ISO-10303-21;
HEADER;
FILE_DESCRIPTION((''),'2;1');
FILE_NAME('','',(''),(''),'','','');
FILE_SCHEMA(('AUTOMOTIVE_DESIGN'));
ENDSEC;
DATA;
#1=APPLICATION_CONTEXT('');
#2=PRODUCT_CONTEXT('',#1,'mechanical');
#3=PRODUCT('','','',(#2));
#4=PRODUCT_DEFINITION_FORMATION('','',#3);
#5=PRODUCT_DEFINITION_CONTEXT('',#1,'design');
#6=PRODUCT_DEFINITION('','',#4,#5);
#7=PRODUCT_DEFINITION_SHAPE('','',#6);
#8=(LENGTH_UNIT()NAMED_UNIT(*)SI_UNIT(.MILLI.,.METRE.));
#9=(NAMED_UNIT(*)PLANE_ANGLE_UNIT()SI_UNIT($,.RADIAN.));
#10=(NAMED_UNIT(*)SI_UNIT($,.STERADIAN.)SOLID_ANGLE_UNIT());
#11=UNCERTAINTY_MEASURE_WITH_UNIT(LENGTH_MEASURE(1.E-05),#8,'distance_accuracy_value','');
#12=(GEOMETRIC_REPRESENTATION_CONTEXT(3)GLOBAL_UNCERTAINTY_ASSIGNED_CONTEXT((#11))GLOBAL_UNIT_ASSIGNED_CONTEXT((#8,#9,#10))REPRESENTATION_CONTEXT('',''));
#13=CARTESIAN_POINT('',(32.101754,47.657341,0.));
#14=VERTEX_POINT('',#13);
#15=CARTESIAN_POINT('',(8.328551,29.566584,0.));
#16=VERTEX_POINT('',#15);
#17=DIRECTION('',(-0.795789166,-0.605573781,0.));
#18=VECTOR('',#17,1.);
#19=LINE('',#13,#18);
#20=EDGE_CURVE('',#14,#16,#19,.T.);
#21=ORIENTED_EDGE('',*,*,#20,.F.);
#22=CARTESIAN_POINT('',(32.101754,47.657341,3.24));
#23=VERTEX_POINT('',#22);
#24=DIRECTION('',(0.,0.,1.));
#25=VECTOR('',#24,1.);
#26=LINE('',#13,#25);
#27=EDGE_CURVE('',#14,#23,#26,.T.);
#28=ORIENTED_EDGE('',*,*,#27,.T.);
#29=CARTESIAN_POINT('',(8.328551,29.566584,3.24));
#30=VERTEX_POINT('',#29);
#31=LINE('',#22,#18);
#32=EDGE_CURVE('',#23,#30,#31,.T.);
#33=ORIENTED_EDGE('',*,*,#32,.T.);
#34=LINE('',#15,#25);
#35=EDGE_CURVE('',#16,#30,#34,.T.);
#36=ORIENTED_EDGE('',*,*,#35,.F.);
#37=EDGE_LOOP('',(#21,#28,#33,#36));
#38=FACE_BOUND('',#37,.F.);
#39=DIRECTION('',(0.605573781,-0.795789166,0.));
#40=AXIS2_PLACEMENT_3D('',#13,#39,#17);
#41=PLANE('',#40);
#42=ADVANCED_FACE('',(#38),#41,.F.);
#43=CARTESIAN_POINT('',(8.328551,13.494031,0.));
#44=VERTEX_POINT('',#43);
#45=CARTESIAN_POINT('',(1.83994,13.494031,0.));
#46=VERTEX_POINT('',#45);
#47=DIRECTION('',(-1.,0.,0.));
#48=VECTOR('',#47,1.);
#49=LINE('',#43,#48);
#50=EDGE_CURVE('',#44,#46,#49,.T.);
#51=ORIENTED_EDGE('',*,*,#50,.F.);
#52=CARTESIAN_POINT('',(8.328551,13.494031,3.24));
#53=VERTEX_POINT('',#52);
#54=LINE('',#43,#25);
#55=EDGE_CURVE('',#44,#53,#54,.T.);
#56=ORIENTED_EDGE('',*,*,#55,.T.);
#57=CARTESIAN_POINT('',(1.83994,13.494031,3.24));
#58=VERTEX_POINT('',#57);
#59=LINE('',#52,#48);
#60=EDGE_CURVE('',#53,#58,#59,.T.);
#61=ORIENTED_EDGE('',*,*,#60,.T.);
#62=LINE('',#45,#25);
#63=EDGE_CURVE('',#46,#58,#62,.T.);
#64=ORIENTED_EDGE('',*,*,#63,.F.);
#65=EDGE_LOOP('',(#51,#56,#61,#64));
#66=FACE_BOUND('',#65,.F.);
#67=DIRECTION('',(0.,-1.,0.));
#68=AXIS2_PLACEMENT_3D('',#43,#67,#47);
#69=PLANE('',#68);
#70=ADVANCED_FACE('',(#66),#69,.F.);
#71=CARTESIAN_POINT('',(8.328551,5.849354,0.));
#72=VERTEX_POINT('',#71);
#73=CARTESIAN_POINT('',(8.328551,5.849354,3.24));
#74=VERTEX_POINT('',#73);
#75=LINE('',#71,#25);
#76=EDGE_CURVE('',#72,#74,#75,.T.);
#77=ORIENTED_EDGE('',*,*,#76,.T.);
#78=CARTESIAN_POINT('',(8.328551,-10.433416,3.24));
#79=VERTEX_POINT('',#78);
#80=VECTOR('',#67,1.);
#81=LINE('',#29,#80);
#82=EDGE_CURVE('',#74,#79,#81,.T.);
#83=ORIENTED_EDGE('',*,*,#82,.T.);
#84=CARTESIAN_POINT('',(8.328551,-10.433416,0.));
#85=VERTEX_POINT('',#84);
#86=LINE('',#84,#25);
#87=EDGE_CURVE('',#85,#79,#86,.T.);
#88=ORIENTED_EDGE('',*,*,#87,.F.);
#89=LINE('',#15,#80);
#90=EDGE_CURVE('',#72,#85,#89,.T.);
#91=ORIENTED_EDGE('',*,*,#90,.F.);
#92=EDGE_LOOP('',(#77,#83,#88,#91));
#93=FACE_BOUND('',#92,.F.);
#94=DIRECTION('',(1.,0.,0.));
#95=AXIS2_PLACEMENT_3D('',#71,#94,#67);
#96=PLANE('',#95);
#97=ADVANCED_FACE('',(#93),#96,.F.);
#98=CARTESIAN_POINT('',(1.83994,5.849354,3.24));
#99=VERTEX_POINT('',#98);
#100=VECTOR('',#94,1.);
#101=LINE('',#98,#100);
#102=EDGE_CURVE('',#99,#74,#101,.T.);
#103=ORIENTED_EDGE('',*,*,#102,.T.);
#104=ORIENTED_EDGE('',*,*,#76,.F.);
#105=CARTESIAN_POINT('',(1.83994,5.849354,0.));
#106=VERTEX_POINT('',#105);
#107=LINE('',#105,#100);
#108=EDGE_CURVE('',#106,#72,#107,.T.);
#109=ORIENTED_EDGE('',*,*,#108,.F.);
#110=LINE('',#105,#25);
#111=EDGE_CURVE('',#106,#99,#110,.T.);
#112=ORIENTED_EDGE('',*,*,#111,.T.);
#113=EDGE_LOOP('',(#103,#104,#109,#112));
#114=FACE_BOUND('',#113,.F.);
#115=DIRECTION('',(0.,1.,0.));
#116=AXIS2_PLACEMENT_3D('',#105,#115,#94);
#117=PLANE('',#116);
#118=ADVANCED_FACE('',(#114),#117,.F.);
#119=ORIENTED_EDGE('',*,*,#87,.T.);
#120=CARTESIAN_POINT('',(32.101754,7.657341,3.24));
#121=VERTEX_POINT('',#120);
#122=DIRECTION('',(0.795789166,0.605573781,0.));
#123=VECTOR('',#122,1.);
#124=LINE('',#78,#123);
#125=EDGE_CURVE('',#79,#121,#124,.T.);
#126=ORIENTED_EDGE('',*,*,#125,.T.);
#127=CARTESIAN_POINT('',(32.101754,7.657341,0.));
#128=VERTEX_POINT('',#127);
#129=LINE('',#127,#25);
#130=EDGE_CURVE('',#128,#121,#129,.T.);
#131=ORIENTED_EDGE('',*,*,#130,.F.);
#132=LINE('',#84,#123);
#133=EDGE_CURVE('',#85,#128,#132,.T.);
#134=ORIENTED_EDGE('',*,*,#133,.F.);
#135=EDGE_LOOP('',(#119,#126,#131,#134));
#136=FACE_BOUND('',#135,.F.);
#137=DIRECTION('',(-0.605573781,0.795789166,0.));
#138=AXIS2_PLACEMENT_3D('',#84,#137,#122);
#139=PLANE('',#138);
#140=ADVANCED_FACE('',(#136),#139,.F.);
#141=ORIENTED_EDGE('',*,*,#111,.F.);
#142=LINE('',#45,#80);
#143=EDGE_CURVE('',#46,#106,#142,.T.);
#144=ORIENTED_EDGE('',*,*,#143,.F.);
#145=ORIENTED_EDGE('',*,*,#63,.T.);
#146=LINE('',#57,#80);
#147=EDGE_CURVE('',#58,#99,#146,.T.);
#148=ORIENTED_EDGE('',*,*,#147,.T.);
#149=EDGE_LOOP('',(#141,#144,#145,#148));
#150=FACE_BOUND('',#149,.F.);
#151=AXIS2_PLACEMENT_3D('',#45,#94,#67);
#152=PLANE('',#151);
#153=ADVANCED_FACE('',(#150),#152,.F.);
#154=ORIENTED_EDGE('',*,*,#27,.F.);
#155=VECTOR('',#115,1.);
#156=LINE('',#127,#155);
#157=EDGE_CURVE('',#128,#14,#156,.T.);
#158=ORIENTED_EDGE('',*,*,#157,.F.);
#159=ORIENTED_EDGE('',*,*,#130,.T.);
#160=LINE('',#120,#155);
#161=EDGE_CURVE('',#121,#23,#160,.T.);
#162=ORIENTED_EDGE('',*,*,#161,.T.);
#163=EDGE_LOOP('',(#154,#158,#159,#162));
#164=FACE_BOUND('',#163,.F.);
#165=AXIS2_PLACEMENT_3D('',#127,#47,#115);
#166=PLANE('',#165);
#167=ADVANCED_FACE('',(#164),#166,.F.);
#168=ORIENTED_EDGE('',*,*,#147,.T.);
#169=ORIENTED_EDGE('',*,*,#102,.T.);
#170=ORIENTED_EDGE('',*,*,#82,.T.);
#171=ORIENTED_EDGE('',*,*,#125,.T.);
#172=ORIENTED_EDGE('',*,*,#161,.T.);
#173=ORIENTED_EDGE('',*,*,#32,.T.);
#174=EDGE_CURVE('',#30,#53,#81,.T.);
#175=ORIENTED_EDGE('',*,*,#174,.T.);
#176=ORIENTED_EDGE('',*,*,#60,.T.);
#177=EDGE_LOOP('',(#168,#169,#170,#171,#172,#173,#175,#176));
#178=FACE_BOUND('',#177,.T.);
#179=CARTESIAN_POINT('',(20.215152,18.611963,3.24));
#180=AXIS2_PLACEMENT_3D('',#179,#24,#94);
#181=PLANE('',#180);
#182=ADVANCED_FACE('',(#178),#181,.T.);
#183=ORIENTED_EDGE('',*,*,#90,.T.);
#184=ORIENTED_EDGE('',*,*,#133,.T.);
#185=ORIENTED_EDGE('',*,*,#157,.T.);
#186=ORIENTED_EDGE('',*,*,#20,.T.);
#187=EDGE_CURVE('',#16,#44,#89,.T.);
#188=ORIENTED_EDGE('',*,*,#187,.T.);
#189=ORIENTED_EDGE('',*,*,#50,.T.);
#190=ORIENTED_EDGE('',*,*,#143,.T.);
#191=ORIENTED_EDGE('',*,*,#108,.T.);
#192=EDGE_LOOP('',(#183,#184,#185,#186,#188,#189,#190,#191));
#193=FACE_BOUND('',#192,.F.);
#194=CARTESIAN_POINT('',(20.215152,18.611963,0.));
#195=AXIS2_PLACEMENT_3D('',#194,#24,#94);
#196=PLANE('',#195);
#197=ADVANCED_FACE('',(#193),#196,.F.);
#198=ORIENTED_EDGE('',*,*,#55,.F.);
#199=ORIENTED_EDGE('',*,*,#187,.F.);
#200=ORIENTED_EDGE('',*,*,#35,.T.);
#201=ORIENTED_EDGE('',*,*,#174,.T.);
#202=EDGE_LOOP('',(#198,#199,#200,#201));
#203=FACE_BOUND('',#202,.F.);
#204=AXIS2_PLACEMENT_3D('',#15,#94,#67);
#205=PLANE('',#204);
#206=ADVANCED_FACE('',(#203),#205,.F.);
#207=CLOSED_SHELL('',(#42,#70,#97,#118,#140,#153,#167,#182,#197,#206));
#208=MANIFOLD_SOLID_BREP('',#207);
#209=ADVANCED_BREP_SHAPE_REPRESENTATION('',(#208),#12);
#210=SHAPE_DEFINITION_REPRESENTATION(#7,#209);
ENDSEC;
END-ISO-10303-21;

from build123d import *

# Parameters (mm, degrees)
F1_DEPTH = 3.24


with BuildPart() as f1:
    # F0 (on Top) → F1 (new body)
    with BuildSketch(Plane.XY):
        Polygon((32.101754, 47.657341), (8.328551, 29.566584), (8.328551, 13.494031), (8.328551, 9.566584), (8.328551, 5.849354), (8.328551, -10.433416), (32.101754, 7.657341), align=None)
        Polygon((8.328551, 9.566584), (8.328551, 13.494031), (1.83994, 13.494031), (1.83994, 5.849354), (8.328551, 5.849354), align=None)
    extrude(amount=F1_DEPTH)


solid = f1.part
